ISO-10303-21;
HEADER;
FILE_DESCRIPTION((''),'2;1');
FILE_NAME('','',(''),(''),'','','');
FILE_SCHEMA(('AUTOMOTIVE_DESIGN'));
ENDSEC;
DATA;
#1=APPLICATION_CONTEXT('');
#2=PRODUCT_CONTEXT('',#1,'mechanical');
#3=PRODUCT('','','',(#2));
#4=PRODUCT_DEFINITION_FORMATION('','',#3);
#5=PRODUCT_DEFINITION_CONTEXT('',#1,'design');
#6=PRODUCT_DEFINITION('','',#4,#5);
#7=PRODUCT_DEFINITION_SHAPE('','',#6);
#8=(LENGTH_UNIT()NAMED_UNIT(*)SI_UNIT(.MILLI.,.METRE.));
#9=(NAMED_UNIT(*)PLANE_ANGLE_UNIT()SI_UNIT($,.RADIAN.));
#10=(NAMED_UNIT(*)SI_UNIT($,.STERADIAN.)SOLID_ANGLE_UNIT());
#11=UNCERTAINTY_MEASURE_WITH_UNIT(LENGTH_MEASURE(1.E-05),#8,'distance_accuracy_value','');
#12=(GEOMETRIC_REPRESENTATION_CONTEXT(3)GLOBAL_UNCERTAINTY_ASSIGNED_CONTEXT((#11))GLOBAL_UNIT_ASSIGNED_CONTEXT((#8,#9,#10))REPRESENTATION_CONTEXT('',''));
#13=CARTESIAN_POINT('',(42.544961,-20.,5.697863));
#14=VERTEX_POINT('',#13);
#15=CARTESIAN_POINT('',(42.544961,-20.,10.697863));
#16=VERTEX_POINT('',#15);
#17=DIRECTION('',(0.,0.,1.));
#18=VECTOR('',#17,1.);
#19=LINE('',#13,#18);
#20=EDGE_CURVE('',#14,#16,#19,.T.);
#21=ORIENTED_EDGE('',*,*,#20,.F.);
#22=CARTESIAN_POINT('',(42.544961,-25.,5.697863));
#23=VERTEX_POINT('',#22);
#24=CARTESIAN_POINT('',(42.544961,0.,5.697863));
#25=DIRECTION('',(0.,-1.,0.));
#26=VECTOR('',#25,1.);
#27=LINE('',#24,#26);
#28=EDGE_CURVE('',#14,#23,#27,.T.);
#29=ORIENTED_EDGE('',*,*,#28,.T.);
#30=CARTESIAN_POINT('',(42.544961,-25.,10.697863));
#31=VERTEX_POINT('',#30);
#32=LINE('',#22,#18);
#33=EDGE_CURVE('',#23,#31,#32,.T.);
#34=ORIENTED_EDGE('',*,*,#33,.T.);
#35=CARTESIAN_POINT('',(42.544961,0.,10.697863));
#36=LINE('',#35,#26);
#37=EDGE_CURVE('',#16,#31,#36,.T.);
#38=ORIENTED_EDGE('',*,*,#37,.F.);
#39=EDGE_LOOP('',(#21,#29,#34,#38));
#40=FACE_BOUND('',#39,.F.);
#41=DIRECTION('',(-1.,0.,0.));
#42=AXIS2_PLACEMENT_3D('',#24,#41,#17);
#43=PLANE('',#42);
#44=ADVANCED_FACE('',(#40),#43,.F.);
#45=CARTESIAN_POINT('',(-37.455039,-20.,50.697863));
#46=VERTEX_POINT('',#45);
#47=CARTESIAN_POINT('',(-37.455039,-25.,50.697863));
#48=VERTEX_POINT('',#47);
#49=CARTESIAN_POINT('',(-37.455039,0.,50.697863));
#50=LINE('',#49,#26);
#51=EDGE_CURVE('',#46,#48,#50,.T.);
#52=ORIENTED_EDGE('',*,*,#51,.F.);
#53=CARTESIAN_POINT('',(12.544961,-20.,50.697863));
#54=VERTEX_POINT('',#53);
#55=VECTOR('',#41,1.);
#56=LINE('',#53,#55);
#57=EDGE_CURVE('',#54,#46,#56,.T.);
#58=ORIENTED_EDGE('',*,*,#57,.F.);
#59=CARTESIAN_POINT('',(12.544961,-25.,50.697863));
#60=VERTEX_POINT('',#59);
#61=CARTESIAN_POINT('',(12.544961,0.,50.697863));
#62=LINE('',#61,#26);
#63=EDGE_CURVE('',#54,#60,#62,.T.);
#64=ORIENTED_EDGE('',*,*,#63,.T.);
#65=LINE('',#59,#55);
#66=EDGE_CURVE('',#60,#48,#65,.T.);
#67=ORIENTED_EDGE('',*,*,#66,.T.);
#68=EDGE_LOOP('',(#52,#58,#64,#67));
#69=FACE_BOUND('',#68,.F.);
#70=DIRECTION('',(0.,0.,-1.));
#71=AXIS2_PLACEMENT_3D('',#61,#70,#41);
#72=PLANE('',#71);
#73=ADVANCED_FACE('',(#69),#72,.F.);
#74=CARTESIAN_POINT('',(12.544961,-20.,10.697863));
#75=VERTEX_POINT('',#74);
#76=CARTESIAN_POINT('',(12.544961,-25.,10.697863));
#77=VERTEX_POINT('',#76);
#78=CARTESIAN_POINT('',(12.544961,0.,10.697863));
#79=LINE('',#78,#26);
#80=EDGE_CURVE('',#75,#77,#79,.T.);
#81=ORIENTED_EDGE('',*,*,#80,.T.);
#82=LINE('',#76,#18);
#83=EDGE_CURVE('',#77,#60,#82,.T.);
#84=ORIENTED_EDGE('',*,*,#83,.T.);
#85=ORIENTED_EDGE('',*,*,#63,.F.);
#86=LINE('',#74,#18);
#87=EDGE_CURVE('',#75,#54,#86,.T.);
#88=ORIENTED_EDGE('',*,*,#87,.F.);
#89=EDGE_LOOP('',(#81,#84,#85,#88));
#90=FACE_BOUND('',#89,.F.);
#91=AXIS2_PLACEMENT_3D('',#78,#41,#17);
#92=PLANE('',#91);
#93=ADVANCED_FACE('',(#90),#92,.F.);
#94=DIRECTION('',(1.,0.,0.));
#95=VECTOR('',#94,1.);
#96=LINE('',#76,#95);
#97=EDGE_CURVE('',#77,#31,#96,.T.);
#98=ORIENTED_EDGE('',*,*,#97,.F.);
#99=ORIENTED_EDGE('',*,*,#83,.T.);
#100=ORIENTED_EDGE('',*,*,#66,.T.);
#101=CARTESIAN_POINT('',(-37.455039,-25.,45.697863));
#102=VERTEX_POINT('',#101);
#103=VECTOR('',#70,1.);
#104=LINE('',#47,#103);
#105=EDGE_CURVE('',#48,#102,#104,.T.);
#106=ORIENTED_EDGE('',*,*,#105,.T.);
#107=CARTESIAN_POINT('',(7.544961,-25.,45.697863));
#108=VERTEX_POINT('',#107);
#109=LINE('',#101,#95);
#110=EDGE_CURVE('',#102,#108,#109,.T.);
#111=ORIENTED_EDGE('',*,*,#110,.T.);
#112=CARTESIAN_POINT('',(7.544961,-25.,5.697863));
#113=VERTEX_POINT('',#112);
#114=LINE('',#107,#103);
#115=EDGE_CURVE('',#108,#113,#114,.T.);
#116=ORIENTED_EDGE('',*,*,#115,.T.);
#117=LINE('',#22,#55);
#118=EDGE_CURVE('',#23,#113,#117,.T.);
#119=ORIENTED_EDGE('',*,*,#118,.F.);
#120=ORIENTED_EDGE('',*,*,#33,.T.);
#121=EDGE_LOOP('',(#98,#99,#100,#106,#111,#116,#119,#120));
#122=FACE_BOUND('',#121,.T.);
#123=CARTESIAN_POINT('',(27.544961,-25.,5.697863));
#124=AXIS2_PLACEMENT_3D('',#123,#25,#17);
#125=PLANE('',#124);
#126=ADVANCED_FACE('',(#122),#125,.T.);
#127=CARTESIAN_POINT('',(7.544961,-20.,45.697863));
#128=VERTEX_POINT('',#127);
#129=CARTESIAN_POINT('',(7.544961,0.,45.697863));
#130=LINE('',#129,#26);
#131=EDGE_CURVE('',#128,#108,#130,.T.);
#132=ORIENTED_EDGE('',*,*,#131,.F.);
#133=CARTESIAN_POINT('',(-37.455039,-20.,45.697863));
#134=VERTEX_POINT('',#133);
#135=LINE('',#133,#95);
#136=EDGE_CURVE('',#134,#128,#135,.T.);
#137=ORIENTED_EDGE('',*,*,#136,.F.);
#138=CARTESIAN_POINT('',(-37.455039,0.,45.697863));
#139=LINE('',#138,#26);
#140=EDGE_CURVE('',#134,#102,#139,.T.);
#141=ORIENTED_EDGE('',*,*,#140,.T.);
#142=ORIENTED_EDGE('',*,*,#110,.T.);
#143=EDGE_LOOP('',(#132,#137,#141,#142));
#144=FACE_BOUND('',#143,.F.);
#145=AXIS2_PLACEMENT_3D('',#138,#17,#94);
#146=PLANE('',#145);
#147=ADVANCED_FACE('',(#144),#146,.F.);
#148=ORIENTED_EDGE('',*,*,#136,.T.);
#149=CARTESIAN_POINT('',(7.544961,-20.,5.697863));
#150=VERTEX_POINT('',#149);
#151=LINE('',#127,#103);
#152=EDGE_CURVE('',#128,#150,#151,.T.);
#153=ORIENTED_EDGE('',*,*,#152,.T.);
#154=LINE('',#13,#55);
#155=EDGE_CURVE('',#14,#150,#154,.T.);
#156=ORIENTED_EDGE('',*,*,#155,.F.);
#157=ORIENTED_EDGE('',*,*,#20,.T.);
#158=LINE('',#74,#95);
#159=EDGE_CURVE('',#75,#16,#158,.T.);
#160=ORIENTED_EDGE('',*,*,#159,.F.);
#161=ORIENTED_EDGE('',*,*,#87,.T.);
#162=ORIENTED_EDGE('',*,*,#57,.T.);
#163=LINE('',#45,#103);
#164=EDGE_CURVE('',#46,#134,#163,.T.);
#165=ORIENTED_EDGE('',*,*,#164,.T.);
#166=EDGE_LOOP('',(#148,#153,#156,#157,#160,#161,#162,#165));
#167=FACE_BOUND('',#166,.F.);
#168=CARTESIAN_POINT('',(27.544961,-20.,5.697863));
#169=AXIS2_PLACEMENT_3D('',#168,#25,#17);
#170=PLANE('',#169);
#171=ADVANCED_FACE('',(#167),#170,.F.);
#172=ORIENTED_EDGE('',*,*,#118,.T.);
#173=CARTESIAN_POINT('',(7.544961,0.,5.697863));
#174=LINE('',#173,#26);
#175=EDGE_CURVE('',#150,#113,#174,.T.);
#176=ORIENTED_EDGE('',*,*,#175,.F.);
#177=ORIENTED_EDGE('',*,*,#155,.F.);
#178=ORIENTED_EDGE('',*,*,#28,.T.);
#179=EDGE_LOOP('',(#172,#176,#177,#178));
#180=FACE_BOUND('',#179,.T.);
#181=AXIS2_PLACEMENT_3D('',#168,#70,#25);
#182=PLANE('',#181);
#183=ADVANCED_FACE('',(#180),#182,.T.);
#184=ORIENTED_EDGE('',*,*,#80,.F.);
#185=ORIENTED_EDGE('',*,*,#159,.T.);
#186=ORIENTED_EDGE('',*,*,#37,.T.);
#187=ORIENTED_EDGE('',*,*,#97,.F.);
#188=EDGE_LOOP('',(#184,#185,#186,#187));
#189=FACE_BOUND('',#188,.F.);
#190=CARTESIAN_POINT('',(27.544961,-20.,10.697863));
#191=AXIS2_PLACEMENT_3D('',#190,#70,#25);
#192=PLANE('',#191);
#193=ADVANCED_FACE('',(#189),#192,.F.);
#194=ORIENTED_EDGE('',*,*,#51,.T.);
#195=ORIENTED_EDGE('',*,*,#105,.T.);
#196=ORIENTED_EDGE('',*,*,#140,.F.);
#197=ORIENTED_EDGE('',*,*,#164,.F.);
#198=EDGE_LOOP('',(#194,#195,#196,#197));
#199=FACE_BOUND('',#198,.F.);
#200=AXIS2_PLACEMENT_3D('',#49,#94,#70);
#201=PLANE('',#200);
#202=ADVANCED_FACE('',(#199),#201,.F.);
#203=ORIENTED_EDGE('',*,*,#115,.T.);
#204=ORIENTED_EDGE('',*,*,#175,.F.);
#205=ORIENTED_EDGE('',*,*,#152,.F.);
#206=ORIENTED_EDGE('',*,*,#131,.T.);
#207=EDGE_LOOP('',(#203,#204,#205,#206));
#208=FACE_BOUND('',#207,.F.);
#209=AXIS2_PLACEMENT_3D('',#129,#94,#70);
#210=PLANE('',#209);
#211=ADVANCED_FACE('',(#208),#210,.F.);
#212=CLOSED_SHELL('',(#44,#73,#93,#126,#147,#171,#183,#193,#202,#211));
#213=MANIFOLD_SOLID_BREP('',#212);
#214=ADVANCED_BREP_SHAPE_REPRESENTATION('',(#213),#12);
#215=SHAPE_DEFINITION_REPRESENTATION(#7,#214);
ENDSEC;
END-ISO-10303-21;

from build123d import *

# Parameters (mm, degrees)
F1_DEPTH = 25
F2_DEPTH = 20
F3_DEPTH = 15


with BuildPart() as f1:
    # F0 (on Front) → F1 (new body)
    with BuildSketch(Plane.XZ):
        Polygon((7.5449606204, 50.6978626826), (-37.4550393796, 50.6978626826), (-37.4550393796, 45.6978626826), (7.5449606204, 45.6978626826), (7.5449606204, 5.6978626826), (12.5449606204, 5.6978626826), (27.5449606204, 5.6978626826), (27.5449606204, 10.6978626826), (12.5449606204, 10.6978626826), (12.5449606204, 50.6978626826), align=None)
    extrude(amount=F1_DEPTH)

    # F2 (cut): a face of the model
    f2_faces = [f1.faces().sort_by_distance(p)[0] for p in [
        (-36.6644699645, 0, 48.1978626826),
    ]]
    extrude(f2_faces, amount=-F2_DEPTH, mode=Mode.SUBTRACT)

    # F3 (add): a face of the model
    f3_faces = [f1.faces().sort_by_distance(p)[0] for p in [
        (27.5449606204, -22.5, 8.1978626826),
    ]]
    extrude(f3_faces, amount=F3_DEPTH)


solid = f1.part
